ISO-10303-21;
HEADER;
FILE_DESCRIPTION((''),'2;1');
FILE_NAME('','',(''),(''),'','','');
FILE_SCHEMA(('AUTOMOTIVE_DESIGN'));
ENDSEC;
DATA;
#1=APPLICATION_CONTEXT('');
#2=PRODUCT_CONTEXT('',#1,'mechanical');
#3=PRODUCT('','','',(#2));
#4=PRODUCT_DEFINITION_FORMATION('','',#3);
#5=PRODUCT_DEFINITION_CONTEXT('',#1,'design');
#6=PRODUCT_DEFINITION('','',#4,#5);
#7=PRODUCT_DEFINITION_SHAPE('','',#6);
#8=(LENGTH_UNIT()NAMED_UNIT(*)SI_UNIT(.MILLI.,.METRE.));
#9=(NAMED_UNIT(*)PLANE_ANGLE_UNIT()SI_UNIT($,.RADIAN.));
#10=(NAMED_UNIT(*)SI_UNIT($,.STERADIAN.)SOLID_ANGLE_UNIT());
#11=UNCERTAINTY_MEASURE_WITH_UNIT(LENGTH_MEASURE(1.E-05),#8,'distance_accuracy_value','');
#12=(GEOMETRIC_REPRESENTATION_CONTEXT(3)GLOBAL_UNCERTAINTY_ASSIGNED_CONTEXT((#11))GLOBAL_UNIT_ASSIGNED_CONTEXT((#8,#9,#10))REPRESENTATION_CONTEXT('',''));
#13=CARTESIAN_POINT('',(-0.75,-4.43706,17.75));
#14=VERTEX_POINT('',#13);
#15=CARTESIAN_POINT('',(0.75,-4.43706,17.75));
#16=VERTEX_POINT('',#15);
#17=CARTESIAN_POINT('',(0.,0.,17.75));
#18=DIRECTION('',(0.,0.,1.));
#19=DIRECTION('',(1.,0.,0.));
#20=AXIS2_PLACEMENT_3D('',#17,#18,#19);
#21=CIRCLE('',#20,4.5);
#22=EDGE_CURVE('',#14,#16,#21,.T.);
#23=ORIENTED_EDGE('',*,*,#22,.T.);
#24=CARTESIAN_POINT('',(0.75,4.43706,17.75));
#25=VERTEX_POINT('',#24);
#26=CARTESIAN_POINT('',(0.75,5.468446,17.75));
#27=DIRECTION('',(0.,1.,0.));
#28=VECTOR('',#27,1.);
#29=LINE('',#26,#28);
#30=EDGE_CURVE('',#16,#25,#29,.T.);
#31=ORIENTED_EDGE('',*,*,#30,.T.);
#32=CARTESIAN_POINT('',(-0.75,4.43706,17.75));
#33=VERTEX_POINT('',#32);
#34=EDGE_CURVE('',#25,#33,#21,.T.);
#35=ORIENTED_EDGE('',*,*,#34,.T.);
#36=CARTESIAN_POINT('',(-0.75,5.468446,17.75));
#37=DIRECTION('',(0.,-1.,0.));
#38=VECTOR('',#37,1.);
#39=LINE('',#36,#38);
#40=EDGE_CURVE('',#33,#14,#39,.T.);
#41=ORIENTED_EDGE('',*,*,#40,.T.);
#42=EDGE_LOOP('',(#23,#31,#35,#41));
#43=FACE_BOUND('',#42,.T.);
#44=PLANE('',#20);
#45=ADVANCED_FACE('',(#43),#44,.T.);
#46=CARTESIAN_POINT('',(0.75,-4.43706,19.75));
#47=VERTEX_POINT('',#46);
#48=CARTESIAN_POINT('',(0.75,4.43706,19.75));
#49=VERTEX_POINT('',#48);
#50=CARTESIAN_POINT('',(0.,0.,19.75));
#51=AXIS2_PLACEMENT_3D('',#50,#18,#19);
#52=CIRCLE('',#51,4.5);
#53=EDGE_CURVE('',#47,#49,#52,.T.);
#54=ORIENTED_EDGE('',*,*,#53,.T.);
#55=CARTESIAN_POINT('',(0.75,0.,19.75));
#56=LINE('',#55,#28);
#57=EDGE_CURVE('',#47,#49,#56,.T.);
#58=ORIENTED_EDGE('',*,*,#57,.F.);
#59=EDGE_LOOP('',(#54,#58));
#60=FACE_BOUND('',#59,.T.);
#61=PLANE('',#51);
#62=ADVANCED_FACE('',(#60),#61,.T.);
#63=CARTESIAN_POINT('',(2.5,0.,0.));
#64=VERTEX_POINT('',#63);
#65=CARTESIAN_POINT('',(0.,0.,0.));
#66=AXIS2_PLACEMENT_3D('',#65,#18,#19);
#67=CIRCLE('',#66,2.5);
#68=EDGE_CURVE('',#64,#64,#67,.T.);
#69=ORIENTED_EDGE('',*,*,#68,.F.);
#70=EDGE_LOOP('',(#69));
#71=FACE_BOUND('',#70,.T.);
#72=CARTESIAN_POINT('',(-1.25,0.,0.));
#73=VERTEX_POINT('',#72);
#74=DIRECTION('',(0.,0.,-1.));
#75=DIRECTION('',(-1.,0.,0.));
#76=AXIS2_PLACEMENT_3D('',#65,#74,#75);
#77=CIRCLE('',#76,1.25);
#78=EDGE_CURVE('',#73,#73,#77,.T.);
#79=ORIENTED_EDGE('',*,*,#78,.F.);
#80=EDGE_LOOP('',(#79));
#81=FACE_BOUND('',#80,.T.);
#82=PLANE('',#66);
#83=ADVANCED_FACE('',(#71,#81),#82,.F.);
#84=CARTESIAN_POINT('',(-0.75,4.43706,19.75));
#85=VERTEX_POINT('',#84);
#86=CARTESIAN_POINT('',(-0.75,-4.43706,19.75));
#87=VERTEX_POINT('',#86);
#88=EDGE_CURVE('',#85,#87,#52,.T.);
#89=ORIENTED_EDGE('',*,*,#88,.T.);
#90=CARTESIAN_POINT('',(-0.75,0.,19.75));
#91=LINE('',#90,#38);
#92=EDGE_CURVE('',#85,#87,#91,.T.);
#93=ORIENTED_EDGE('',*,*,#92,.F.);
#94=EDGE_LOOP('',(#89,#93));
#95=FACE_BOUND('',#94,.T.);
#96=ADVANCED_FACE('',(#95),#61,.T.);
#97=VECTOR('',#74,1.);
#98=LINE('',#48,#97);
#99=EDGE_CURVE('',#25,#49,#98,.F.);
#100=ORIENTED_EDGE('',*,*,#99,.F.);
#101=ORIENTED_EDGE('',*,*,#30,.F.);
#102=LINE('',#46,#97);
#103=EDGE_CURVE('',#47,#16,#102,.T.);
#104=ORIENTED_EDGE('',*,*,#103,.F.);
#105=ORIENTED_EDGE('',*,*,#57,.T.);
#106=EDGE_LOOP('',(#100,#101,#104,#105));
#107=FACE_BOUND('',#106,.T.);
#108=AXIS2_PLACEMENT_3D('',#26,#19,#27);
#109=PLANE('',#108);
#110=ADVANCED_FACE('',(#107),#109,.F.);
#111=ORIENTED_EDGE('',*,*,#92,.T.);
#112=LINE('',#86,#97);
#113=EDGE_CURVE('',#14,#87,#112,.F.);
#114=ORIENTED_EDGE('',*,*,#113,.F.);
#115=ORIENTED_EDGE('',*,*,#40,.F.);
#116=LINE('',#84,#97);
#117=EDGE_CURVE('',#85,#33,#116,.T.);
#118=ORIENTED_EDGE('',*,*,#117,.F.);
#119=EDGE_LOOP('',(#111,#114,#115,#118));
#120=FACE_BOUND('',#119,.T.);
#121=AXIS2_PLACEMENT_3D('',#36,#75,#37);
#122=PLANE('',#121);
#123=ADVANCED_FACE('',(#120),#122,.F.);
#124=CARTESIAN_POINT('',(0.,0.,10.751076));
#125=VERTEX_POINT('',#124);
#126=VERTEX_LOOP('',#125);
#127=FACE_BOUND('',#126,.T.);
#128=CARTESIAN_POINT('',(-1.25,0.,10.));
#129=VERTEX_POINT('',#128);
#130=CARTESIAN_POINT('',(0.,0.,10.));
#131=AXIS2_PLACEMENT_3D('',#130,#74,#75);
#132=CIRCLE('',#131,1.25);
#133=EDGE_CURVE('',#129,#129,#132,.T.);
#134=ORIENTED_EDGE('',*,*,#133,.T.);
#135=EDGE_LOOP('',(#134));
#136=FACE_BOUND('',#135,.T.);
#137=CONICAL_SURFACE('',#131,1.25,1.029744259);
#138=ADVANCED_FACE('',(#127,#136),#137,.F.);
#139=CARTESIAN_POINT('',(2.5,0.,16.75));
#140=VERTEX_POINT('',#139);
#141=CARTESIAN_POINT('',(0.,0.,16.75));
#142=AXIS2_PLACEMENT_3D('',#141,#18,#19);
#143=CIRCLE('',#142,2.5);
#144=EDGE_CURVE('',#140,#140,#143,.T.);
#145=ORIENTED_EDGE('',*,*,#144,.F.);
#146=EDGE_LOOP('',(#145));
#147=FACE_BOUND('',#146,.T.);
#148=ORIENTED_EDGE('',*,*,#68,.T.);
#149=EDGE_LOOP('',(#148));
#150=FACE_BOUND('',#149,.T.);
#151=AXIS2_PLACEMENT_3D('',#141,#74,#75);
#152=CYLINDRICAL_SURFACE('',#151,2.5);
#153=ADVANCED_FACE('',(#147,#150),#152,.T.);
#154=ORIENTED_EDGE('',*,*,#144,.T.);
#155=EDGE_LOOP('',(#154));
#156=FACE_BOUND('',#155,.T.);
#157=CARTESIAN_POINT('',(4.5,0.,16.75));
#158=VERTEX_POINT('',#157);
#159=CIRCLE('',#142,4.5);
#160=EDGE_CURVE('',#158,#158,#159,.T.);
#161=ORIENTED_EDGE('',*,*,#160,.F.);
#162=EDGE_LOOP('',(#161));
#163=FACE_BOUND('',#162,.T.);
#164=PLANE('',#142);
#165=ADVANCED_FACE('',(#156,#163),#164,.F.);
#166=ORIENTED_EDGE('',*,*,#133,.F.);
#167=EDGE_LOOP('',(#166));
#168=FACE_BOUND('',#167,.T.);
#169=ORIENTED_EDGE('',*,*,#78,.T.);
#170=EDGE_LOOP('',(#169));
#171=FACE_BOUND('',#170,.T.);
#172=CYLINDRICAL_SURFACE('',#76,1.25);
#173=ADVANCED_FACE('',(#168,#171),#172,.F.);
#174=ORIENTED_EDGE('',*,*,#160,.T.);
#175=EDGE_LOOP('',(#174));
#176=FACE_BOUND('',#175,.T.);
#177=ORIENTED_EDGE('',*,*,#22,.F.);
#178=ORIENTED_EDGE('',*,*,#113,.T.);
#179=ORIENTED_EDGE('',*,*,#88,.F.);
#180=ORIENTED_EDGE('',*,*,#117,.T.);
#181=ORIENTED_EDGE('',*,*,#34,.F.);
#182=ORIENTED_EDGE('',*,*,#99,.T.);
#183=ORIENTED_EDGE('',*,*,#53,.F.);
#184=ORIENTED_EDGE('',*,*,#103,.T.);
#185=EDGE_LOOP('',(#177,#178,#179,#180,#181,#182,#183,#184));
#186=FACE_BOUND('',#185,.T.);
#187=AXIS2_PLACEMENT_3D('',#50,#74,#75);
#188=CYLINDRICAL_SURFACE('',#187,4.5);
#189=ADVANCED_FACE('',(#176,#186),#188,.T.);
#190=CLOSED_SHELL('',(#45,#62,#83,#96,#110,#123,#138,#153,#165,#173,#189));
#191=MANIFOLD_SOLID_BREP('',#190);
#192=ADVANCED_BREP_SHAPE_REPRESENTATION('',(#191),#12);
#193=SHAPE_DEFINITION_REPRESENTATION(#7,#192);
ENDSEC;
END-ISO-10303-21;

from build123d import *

# Parameters (mm, degrees)
SKETCH_1_R             = 2.5
EXTRUDE_1_DEPTH        = 16.75
SKETCH_2_R             = 4.5
EXTRUDE_2_DEPTH        = 3
SKETCH_4_W             = 1.5
SKETCH_4_H             = 10.936891942
CUT_EXTRUDE_1_DEPTH    = 2
HOLE_WIZARD_M3_1_D     = 2.5
HOLE_WIZARD_M3_1_DEPTH = 10
HOLE_WIZARD_M3_1_TIP   = 0.751075774


with BuildPart() as part:
    # 草图1 → 凸台-拉伸1 (new body)
    with BuildSketch(Plane.XY):
        Circle(SKETCH_1_R)
    extrude(amount=EXTRUDE_1_DEPTH)

    # 草图2 → 凸台-拉伸2 (add)
    with BuildSketch(Plane.XY.offset(16.75)):
        Circle(SKETCH_2_R)
    extrude(amount=EXTRUDE_2_DEPTH)

    # 草图4 → 切除-拉伸1 (cut)
    with BuildSketch(Plane.XY.offset(19.75)):
        Rectangle(SKETCH_4_W, SKETCH_4_H)
    extrude(amount=-CUT_EXTRUDE_1_DEPTH, mode=Mode.SUBTRACT)

    # M3 螺纹孔的螺纹孔钻头1
    with Locations(Plane(origin=(0, 0, 0), x_dir=(-1, 0, 0), z_dir=(0, 0, -1))):
        with Locations((0, 0)):
            Hole(HOLE_WIZARD_M3_1_D / 2, depth=HOLE_WIZARD_M3_1_DEPTH)
            with Locations((0, 0, -(HOLE_WIZARD_M3_1_DEPTH + HOLE_WIZARD_M3_1_TIP / 2))):  # 118° drill point
                Cone(0, HOLE_WIZARD_M3_1_D / 2, HOLE_WIZARD_M3_1_TIP, mode=Mode.SUBTRACT)


solid = part.part
